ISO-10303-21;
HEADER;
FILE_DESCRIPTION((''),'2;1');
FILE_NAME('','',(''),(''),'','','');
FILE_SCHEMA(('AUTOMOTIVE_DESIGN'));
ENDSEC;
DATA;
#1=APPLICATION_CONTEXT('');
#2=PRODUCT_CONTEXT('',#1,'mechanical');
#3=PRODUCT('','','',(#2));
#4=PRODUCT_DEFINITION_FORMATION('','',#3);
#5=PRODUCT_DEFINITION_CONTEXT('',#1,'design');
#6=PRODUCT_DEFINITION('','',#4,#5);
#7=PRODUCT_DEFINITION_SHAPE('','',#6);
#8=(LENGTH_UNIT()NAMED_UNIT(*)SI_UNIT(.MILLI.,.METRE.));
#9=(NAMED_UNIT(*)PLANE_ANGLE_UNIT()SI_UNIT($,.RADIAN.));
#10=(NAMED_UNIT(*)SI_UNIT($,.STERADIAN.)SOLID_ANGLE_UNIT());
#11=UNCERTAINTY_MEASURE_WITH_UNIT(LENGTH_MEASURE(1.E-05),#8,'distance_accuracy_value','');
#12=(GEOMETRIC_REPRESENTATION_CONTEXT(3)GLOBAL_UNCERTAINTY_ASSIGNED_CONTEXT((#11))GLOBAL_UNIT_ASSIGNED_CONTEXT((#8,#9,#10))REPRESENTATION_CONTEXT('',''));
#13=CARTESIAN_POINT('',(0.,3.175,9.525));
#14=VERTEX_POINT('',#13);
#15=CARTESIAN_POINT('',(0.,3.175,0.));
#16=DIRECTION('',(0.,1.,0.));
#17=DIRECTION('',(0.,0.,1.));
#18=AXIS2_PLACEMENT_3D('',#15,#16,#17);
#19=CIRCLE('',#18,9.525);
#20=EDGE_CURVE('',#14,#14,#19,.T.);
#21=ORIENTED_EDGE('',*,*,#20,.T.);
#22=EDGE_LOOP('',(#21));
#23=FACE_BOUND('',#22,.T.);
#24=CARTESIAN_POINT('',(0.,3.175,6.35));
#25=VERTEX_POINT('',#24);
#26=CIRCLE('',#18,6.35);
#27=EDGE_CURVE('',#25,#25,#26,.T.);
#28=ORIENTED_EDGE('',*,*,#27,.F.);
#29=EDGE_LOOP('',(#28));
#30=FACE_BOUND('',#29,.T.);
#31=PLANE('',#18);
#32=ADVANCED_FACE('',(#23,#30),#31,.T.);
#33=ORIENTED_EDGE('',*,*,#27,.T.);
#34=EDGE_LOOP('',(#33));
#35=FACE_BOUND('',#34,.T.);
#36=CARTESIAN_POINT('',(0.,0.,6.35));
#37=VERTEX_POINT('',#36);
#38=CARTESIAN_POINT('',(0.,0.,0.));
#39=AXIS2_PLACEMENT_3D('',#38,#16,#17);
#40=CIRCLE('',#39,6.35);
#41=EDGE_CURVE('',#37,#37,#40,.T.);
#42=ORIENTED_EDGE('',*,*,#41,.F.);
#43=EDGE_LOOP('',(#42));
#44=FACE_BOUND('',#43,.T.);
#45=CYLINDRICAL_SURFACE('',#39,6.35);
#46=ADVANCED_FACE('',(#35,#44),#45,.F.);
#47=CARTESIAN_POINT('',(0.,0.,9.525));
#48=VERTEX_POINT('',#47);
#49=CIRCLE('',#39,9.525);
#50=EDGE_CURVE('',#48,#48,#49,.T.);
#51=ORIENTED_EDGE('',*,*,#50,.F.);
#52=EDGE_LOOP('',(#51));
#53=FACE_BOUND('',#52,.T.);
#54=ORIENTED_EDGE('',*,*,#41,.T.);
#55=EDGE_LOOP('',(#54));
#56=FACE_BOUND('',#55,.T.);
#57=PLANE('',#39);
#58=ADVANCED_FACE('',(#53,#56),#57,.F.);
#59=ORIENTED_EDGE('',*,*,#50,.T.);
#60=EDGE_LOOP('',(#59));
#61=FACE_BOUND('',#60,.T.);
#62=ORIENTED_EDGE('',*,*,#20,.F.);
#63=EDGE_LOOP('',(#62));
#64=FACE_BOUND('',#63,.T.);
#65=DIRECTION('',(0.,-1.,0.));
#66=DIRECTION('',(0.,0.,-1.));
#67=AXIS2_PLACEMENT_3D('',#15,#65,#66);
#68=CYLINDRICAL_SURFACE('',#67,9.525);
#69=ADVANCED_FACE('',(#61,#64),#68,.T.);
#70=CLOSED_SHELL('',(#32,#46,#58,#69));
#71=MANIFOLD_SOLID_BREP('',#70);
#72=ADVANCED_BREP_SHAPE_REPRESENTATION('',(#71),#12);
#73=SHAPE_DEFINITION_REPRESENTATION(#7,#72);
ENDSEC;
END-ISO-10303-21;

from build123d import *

# Parameters (mm, degrees)
SKETCH1_R           = 9.525
BOSS_EXTRUDE1_DEPTH = 3.175
SKETCH5_R           = 6.35
CUT_EXTRUDE1_DEPTH  = 4.175


with BuildPart() as part:
    # Sketch1 → Boss-Extrude1 (new body)
    with BuildSketch(Plane(origin=(0, 0, 0), x_dir=(1, 0, 0), z_dir=(0, 1, 0))):
        Circle(SKETCH1_R)
    extrude(amount=BOSS_EXTRUDE1_DEPTH)

    # Sketch5 → Cut-Extrude1 (cut, through all)
    with BuildSketch(Plane(origin=(0, 3.175, 0), x_dir=(-1, 0, 0), z_dir=(0, 1, 0))):
        Circle(SKETCH5_R)
    extrude(amount=-CUT_EXTRUDE1_DEPTH, mode=Mode.SUBTRACT)


solid = part.part
